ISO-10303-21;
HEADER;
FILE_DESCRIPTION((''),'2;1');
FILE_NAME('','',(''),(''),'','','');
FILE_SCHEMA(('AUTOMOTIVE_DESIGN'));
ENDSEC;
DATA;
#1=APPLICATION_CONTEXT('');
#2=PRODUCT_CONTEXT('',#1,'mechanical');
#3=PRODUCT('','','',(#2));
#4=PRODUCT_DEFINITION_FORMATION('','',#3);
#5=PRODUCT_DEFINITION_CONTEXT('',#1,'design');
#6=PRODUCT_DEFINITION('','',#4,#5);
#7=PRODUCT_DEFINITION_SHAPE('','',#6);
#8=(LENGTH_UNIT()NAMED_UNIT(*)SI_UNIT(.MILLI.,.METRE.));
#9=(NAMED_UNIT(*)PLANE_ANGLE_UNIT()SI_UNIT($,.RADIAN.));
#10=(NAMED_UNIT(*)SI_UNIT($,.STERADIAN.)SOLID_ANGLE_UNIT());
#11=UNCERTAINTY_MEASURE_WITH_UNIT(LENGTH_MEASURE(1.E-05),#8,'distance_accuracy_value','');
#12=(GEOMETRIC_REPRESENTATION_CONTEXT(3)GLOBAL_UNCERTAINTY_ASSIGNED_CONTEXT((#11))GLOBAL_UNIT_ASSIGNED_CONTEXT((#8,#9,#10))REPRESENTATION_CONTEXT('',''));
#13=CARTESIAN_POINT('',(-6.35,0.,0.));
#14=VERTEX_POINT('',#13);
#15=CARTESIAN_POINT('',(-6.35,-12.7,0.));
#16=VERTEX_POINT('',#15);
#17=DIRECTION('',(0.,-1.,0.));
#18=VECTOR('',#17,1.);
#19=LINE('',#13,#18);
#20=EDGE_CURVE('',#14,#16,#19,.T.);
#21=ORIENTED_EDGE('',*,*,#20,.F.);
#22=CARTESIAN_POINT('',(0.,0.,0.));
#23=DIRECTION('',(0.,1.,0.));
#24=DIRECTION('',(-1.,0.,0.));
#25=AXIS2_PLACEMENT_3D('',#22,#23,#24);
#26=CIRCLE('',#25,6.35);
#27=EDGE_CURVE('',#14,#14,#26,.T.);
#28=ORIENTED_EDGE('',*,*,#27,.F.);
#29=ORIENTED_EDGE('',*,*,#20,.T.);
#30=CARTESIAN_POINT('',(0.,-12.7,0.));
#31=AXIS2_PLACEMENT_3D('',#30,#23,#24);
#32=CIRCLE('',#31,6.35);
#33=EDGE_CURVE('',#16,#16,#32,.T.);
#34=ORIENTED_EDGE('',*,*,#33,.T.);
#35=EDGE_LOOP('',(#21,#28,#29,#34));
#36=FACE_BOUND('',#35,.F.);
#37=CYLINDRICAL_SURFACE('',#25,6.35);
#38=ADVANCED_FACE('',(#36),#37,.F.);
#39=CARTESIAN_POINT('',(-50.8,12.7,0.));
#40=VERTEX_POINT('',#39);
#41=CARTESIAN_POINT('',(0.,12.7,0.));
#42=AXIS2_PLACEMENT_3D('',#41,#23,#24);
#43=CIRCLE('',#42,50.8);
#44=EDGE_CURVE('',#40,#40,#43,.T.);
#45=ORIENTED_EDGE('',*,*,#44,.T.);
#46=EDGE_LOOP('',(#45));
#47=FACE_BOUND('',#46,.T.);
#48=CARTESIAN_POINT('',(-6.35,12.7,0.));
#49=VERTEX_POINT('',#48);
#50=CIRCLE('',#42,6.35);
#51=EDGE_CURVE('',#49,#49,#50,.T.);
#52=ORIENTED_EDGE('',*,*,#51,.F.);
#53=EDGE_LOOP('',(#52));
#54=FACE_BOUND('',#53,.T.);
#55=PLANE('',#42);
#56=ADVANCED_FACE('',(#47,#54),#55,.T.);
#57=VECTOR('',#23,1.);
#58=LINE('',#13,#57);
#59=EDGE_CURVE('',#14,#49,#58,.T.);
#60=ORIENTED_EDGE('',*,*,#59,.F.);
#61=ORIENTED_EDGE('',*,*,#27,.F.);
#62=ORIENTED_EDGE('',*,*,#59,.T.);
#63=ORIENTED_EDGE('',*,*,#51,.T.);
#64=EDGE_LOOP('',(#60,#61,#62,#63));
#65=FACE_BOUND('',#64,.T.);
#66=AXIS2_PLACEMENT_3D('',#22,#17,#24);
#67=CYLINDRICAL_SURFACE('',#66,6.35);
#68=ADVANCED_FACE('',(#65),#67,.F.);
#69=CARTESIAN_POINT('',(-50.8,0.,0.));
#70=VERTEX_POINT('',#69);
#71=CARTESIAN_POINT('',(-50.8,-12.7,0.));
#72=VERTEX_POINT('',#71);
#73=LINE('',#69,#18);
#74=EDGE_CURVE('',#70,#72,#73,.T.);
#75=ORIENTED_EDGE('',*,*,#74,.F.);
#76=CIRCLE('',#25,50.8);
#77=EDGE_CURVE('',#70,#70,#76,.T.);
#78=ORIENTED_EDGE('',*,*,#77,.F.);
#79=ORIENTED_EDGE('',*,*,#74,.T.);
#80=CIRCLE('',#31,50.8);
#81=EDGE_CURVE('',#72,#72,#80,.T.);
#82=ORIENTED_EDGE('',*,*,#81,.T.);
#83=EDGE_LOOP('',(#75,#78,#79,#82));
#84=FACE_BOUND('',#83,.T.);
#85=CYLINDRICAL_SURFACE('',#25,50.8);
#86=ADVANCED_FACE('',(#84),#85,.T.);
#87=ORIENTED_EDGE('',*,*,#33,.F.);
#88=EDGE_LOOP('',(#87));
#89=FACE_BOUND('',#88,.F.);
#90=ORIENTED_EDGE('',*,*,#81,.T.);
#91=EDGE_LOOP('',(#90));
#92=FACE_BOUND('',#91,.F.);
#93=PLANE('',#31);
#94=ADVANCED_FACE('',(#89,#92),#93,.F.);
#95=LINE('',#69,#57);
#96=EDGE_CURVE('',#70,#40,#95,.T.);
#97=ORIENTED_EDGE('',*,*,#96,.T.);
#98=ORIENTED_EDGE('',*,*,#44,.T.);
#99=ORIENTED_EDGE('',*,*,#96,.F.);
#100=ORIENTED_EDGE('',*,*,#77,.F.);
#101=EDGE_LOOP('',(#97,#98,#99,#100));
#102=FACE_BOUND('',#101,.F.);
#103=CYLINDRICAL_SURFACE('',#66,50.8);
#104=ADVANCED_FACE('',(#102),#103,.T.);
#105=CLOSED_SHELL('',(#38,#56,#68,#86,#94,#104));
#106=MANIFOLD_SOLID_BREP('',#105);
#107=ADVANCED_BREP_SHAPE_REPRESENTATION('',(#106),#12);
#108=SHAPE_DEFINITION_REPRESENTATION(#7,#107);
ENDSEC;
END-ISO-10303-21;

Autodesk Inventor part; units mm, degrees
ref_plane "YZ Plane" through (0, 0, 0) normal (1, 0, 0) x (0, 1, 0)
ref_plane "XZ Plane" through (0, 0, 0) normal (0, 1, 0) x (-1, 0, 0)
ref_plane "XY Plane" through (0, 0, 0) normal (0, 0, 1) x (1, 0, 0)
sketch "Sketch1" plane through (0, 0, 0) normal (0, 1, 0) x (-1, 0, 0)
  circle A0 centre (0, 0) radius 6.35
  circle A1 centre (0, 0) radius 50.8
  dimension "d0" = 12.7
  dimension "d1" = 101.6
extrude "Extrusion1" add sketch "Sketch1" along normal mid plane 25.4
properties part number "intake roller"
